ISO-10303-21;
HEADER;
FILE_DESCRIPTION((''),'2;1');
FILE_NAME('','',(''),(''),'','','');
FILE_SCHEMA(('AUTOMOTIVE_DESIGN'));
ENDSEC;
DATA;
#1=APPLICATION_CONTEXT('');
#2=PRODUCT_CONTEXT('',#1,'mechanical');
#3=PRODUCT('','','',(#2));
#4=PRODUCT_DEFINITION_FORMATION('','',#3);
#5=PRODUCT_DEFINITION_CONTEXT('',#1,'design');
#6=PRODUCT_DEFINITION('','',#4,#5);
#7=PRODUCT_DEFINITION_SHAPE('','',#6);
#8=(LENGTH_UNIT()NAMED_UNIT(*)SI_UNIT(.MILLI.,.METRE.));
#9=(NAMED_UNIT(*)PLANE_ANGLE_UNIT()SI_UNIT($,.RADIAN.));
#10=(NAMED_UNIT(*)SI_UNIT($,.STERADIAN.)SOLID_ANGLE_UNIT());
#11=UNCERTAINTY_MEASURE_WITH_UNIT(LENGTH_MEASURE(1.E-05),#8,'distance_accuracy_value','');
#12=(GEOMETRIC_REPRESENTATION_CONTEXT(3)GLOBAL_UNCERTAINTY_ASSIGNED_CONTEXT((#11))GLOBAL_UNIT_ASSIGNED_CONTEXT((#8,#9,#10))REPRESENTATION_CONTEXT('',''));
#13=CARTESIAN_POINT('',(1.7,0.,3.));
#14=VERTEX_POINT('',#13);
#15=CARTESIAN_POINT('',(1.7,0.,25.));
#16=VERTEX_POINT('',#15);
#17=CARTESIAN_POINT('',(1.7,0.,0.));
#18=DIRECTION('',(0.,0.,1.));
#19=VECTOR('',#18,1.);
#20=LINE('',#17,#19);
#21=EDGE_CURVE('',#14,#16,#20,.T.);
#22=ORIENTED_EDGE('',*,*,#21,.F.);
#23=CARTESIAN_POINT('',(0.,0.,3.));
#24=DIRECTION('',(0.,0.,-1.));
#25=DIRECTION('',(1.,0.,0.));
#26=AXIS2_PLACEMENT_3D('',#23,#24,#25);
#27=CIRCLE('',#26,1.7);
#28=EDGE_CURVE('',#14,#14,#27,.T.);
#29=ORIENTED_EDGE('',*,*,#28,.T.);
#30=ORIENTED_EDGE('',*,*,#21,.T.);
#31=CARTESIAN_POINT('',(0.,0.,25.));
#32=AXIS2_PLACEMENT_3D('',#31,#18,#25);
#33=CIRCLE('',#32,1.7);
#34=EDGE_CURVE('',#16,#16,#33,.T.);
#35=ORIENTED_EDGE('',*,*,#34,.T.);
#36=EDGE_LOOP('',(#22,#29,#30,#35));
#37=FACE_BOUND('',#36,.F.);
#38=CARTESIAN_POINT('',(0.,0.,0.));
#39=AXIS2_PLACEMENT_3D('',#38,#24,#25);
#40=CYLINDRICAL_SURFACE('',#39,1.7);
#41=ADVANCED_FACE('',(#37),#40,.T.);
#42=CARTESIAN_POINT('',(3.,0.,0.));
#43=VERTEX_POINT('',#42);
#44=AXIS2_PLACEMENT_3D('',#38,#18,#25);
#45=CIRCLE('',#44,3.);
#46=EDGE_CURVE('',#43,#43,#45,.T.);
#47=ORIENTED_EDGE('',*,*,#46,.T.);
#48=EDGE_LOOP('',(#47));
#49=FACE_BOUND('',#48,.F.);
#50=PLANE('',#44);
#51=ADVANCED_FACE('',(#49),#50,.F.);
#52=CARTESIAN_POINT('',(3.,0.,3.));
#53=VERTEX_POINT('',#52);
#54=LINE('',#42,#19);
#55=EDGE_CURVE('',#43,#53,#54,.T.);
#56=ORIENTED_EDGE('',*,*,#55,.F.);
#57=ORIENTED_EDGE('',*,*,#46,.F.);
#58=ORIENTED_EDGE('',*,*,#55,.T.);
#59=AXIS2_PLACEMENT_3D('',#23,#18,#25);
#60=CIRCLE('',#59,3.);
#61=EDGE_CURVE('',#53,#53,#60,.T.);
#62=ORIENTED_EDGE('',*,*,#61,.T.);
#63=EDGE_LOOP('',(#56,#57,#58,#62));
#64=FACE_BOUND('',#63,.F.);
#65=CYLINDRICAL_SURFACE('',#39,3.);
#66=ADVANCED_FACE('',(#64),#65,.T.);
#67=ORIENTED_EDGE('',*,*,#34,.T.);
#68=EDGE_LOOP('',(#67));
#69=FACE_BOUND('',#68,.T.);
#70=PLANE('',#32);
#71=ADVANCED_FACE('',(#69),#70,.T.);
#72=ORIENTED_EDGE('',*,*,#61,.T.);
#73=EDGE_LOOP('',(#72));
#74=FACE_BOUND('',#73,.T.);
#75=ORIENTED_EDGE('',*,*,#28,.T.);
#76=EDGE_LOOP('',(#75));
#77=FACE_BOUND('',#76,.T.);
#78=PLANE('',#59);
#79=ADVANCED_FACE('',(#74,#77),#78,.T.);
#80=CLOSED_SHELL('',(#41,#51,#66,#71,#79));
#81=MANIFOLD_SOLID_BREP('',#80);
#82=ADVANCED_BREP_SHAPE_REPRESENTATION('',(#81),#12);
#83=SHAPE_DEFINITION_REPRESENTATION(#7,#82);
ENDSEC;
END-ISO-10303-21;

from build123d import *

# Parameters (mm, degrees)
CYLINDER002_R     = 3
CYLINDER002_DEPTH = 3
CYLINDER001_R     = 1.7
CYLINDER001_DEPTH = 25


with BuildPart() as cylinder002:
    # Cylinder002 → Cylinder002 (new body)
    with BuildSketch(Plane.XY):
        Circle(CYLINDER002_R)
    extrude(amount=CYLINDER002_DEPTH)


with BuildPart() as screw:
    # Cylinder001 → Cylinder001 (new body)
    with BuildSketch(Plane.XY):
        Circle(CYLINDER001_R)
    extrude(amount=CYLINDER001_DEPTH)

    # Fusion: union Cylinder002
    add(cylinder002.part)


solid = screw.part
